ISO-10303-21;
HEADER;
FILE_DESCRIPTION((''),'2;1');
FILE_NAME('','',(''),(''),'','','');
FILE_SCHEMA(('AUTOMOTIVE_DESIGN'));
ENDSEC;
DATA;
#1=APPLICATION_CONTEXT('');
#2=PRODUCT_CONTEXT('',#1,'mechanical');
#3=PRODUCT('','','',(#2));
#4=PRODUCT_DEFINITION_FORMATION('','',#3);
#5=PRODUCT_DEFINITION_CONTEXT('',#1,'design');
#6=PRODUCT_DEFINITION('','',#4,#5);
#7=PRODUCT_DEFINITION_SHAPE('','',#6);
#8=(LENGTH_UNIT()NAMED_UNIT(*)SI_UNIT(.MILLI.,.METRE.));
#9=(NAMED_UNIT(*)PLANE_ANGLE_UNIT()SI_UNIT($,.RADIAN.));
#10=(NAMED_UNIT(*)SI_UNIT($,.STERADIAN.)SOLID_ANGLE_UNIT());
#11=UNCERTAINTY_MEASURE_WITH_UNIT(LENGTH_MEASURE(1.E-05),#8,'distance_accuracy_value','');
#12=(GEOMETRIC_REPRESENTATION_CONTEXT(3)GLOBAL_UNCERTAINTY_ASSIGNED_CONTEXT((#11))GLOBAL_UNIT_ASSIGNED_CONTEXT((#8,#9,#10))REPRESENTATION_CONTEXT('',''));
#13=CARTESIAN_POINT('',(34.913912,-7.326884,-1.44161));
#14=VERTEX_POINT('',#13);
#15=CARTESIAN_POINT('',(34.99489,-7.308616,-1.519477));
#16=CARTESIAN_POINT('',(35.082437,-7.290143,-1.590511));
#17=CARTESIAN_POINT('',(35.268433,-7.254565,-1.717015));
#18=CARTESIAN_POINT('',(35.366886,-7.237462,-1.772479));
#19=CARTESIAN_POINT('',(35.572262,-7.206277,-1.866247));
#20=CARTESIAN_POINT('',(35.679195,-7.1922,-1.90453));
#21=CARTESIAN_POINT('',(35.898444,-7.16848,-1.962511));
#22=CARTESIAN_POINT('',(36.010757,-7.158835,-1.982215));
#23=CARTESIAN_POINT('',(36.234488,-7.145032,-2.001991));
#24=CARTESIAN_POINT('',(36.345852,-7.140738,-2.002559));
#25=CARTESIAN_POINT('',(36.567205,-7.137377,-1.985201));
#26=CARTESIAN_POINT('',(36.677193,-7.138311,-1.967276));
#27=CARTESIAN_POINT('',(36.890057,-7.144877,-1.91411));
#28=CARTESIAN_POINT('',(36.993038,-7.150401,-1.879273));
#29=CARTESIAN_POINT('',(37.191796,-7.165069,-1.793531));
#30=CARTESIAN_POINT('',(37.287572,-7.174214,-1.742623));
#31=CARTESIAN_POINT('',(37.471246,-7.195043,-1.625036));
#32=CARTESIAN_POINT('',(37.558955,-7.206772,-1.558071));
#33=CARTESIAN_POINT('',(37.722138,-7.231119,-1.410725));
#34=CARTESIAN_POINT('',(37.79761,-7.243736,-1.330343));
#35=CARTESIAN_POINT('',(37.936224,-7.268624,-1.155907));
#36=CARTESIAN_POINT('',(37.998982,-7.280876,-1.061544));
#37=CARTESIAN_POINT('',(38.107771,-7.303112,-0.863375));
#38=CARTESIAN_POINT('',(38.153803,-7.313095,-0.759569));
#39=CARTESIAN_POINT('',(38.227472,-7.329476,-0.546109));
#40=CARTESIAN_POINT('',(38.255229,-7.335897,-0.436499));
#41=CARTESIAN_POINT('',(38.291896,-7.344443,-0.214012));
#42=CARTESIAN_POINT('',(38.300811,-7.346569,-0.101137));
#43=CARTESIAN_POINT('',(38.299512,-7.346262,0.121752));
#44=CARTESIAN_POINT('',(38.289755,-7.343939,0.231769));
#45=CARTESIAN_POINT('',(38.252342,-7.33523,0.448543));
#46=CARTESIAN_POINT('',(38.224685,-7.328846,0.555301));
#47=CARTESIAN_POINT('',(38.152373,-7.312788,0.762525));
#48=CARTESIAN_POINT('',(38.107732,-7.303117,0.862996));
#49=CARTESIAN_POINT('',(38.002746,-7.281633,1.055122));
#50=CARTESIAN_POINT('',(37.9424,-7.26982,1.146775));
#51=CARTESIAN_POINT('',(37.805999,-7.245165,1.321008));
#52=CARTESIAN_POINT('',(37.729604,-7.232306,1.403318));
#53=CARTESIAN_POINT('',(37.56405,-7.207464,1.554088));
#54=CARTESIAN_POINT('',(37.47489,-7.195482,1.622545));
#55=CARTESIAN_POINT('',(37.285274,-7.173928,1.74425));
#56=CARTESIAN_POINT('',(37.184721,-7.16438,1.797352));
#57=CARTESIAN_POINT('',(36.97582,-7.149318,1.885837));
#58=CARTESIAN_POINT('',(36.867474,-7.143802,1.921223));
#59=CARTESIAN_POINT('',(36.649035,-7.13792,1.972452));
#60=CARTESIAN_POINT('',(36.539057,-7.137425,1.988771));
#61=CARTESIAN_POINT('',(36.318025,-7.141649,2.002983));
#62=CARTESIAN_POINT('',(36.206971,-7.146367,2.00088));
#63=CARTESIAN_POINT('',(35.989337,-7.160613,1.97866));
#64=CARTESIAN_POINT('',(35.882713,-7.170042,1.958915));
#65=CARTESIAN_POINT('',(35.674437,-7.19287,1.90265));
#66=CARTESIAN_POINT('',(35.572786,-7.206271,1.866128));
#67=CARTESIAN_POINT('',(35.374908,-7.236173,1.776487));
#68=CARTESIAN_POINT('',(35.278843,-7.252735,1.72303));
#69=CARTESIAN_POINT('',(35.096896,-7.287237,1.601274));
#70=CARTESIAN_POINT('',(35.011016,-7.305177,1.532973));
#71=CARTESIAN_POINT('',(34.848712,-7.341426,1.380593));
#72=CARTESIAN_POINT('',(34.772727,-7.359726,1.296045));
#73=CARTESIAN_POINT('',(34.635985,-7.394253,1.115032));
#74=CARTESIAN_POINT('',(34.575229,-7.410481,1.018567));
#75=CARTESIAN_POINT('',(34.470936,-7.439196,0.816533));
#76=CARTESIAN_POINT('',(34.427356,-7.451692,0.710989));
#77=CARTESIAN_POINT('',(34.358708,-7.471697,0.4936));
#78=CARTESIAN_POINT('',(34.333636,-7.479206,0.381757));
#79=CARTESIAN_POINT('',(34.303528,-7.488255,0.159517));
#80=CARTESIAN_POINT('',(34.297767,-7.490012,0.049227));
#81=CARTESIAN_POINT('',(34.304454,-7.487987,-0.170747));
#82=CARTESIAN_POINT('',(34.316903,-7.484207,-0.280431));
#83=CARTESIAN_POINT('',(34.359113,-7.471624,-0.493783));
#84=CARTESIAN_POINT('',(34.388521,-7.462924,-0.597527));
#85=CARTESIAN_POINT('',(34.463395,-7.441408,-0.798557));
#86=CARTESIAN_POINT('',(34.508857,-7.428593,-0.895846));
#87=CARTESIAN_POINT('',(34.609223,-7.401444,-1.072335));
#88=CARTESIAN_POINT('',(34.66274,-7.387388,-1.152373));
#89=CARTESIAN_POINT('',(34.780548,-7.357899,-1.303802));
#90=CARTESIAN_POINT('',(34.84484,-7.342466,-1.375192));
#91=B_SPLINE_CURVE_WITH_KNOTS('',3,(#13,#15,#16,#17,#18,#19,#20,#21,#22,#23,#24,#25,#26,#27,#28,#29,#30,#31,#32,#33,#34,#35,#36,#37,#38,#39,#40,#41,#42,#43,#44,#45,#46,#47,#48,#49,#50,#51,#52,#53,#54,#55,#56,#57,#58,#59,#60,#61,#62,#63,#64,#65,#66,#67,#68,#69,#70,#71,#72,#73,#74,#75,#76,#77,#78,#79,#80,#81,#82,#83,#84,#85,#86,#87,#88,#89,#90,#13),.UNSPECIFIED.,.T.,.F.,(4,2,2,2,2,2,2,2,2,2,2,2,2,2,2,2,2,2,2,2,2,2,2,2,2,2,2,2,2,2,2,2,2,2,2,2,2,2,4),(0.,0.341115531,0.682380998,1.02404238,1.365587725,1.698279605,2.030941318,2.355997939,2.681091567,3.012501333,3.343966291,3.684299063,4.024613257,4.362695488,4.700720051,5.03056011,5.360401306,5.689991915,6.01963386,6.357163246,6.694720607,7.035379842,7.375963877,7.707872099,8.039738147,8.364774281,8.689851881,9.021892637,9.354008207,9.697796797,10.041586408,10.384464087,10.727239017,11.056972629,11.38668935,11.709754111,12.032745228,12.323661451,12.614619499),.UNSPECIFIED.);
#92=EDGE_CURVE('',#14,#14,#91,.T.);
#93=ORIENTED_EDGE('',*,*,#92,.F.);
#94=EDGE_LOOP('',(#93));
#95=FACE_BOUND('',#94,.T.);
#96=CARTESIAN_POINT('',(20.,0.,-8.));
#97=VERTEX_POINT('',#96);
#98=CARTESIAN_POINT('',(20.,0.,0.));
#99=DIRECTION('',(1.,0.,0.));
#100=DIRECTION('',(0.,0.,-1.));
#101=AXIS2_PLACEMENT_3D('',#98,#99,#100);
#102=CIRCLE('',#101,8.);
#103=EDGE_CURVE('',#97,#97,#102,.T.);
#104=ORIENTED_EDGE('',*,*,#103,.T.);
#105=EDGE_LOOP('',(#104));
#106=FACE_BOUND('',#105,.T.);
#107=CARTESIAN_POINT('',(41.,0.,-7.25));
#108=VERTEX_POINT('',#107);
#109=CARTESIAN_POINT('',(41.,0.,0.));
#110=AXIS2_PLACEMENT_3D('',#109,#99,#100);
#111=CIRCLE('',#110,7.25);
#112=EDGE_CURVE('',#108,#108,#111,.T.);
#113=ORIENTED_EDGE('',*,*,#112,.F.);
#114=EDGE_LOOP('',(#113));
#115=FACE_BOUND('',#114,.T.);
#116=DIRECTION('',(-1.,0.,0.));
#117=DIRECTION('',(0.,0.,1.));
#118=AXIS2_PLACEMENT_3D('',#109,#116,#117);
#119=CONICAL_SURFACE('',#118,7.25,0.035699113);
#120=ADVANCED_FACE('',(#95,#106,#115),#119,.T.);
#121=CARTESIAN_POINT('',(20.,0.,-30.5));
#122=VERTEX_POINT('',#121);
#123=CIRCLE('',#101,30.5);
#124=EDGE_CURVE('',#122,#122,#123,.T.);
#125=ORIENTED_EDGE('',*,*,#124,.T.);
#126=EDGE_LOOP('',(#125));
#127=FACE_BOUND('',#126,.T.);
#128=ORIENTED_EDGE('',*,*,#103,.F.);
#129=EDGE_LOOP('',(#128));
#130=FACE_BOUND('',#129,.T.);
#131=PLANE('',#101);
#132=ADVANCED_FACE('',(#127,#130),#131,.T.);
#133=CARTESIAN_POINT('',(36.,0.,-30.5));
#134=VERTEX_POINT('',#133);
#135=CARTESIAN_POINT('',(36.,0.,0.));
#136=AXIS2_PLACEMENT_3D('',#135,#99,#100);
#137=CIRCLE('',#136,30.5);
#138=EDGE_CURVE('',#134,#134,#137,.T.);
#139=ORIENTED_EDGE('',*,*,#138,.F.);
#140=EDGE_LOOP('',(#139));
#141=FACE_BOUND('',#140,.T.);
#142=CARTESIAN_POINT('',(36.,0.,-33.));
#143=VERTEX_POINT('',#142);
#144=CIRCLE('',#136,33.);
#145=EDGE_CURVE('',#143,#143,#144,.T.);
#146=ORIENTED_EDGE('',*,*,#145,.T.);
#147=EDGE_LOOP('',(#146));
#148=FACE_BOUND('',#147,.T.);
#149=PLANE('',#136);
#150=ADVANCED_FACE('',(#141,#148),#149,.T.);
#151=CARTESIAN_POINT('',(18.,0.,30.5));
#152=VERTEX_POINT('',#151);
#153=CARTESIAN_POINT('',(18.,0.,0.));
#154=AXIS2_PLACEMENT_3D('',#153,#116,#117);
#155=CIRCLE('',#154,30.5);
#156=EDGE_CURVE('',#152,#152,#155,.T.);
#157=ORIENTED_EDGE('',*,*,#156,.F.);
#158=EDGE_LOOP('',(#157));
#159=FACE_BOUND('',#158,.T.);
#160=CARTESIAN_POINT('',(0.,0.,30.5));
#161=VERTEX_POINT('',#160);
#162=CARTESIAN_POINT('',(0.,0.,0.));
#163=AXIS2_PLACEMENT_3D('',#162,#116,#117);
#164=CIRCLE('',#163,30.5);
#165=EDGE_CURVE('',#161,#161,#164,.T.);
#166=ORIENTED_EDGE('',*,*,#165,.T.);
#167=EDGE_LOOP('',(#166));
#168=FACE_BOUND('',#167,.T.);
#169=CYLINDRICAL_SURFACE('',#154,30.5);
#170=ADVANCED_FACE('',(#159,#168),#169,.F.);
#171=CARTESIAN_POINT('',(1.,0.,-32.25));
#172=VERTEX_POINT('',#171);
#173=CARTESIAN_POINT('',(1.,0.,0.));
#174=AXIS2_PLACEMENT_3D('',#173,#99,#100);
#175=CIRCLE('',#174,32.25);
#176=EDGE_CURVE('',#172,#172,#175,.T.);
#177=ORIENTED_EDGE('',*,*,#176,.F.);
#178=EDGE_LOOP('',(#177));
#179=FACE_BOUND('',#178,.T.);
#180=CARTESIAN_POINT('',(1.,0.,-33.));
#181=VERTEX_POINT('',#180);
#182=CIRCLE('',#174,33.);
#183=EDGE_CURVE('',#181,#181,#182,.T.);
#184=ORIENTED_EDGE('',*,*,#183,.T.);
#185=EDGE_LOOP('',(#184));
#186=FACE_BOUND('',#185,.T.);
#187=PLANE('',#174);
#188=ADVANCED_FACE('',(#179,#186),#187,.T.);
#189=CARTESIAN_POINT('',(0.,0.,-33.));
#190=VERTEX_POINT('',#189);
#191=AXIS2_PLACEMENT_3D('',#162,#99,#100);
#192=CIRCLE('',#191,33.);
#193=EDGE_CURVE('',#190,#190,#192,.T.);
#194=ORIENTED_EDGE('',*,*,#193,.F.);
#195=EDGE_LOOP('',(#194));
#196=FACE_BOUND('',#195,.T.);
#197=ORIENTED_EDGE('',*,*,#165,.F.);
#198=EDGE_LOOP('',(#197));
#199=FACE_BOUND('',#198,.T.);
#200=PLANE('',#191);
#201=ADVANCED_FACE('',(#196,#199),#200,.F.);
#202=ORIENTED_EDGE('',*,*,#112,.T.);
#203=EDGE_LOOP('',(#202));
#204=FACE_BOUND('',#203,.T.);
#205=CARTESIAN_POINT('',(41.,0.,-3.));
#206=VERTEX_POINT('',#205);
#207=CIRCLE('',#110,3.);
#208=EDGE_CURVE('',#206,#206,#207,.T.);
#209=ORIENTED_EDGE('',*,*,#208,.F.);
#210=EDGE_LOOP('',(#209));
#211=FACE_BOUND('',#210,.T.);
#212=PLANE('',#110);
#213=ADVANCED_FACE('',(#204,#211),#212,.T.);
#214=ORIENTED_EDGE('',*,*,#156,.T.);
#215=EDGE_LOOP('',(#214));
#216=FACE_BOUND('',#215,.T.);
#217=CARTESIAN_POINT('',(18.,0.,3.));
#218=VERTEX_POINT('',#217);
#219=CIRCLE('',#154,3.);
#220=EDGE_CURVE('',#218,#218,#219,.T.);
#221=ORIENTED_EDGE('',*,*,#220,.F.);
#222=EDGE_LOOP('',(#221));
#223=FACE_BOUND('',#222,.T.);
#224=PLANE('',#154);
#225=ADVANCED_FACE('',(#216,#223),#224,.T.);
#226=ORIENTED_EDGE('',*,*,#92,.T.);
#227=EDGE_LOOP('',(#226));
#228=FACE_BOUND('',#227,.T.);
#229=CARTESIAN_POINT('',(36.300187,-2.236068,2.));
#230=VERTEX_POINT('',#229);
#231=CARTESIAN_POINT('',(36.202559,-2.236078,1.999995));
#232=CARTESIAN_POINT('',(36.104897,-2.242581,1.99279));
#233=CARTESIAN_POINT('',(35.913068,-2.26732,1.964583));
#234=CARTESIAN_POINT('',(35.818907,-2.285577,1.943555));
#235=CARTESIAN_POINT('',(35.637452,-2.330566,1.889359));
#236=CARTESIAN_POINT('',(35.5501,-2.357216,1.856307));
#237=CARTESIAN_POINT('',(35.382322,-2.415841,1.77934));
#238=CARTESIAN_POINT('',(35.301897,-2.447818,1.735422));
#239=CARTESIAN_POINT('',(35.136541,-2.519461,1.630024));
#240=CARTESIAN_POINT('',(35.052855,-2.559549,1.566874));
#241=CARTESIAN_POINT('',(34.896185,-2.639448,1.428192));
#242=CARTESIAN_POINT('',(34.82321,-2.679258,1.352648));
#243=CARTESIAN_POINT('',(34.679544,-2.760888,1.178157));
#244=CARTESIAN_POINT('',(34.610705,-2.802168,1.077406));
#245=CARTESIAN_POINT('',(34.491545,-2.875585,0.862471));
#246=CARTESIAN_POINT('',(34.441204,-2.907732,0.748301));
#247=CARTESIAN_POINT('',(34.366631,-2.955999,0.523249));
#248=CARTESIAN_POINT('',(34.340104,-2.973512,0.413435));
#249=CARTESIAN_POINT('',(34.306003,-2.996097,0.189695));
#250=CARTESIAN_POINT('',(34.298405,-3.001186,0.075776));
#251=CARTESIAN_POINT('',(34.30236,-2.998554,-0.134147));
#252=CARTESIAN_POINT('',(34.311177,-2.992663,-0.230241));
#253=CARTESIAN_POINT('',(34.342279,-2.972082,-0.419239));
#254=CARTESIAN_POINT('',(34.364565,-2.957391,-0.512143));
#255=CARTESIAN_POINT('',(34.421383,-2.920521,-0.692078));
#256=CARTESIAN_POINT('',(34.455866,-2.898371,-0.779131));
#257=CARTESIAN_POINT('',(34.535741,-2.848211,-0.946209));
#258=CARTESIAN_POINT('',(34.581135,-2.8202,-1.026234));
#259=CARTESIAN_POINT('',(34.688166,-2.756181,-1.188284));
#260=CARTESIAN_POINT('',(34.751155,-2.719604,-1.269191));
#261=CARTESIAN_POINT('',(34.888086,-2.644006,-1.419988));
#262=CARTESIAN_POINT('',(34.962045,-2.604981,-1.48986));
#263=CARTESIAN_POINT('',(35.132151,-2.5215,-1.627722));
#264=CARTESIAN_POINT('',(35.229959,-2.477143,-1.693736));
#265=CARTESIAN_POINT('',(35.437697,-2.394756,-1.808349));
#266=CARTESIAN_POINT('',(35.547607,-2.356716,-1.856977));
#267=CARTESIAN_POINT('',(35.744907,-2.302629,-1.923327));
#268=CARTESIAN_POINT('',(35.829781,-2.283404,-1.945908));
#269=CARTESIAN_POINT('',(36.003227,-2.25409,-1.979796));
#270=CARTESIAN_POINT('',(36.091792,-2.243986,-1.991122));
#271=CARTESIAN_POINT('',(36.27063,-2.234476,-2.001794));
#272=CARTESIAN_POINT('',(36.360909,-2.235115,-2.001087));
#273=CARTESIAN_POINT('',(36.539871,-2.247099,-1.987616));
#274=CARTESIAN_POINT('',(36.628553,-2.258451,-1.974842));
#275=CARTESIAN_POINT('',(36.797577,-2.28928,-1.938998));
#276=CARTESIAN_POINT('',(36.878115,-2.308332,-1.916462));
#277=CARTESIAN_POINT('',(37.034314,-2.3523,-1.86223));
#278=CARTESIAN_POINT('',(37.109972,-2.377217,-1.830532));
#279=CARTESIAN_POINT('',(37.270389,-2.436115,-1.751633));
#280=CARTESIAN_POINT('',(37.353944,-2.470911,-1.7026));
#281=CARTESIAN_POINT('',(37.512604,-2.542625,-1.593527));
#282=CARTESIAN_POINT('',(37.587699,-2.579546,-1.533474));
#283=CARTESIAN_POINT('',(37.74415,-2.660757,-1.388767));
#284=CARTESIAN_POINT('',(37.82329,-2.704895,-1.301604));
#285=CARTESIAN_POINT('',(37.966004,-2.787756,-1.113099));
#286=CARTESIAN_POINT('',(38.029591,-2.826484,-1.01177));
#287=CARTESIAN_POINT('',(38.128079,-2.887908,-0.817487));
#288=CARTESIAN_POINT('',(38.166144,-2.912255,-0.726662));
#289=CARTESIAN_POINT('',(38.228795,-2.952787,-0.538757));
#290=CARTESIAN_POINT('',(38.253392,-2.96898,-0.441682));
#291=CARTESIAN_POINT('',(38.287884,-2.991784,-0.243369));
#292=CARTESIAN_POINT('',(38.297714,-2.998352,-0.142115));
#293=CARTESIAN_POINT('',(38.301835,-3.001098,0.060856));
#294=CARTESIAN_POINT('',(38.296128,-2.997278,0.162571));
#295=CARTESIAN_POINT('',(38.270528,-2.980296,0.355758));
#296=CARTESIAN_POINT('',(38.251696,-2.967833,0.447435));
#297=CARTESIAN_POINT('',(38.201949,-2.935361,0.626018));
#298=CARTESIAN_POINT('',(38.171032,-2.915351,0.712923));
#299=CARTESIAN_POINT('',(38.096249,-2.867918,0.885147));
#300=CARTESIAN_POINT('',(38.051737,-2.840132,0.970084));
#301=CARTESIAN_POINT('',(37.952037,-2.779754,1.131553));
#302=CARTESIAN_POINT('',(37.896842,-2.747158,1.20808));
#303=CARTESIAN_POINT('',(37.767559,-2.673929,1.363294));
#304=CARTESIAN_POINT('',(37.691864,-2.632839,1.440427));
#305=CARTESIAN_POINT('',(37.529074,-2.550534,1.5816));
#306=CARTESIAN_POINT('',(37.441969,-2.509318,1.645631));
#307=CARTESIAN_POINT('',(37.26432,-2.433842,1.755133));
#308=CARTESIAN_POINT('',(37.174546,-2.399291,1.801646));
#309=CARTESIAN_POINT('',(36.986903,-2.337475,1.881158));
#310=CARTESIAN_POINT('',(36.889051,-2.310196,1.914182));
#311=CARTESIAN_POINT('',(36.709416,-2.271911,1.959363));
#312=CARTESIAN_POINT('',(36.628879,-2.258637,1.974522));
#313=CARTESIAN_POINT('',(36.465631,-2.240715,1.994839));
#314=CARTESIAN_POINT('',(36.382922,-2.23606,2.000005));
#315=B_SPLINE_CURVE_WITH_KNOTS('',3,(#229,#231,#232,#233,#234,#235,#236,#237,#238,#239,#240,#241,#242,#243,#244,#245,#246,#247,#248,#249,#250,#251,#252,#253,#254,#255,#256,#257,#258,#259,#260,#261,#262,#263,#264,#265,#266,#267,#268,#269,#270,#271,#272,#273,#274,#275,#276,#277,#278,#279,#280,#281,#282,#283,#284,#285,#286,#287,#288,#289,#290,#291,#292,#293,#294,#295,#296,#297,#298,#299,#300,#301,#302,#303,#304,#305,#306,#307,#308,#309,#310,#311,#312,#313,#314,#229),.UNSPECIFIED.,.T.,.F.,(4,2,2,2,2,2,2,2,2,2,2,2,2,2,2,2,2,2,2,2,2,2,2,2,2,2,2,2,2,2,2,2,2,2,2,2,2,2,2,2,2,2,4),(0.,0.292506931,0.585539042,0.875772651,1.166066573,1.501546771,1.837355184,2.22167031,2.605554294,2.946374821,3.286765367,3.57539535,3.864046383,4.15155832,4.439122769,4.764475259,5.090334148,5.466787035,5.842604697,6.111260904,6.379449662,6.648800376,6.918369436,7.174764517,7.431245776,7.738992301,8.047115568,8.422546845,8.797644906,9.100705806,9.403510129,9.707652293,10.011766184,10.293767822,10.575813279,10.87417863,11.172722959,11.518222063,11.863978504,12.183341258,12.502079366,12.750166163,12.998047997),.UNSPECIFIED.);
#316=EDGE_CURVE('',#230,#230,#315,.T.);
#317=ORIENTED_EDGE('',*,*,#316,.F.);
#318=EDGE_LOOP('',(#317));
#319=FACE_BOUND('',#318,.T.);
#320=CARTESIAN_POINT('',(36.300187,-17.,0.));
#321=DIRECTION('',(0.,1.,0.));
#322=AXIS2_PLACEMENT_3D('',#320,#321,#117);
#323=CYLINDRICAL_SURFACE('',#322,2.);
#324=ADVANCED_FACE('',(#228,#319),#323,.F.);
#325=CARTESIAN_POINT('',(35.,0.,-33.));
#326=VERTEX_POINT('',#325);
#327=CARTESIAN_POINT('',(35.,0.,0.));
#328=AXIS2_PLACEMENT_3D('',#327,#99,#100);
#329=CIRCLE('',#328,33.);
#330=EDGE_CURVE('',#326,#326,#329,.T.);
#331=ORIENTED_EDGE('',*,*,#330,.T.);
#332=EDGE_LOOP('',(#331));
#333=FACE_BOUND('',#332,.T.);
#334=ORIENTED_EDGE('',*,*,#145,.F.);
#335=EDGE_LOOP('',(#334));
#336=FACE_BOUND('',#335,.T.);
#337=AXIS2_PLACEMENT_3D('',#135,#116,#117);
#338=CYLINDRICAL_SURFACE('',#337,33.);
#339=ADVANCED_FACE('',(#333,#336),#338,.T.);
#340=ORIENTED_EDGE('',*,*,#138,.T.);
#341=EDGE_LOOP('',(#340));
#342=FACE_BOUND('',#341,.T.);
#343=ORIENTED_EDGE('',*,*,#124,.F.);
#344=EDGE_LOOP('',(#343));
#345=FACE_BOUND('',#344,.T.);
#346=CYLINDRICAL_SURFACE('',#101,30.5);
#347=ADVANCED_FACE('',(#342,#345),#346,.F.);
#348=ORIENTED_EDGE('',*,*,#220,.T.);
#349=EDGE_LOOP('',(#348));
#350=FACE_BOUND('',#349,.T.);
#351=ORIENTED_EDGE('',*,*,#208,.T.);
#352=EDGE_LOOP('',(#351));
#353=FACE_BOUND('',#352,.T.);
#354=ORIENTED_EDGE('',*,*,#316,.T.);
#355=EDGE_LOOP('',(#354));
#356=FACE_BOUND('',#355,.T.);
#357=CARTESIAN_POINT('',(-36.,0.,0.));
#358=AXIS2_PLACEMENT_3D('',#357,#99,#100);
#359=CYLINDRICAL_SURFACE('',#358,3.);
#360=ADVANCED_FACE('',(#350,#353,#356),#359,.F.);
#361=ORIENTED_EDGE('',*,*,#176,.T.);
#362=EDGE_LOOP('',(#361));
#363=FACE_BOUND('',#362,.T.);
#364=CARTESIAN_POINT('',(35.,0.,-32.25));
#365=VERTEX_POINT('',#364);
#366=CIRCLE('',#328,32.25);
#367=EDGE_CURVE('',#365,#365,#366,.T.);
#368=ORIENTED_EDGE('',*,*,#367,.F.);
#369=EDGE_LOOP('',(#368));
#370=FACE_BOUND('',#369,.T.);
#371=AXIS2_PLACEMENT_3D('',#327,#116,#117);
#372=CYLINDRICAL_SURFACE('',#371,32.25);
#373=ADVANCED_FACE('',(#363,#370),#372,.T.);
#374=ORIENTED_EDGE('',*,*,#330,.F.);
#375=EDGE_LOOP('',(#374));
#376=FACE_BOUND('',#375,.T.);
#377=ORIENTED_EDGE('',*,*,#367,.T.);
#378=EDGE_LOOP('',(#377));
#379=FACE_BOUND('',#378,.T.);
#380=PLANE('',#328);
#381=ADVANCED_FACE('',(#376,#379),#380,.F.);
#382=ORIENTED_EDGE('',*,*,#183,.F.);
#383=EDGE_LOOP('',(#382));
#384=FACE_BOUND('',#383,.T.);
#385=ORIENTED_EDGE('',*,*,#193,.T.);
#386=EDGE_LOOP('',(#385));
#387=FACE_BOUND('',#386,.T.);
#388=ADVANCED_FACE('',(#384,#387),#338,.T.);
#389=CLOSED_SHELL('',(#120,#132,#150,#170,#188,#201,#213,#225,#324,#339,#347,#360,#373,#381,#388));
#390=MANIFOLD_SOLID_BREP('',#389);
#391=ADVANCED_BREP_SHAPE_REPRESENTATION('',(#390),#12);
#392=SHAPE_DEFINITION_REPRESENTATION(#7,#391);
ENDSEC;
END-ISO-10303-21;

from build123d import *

# Parameters (mm, degrees)
SKETCH1_R               = 33
BOSS_EXTRUDE1_DEPTH     = 36
SKETCH2_R               = 30.5
SKETCH2_R_2             = 8
SKETCH2_R_3             = 3
CUT_EXTRUDE2_DEPTH      = 16
SKETCH6_R               = 7.25
SKETCH5_R               = 8
SKETCH7_R               = 30.5
CUT_EXTRUDE3_DEPTH      = 18
SKETCH8_R               = 3
CUT_EXTRUDE4_DEPTH      = 77
SKETCH9_R               = 42.905856896
SKETCH9_R_2             = 32.25
CUT_EXTRUDE5_DEPTH      = 17
CUT_EXTRUDE5_DEPTH_BACK = 17
SKETCH10_R              = 2
CUT_EXTRUDE6_DEPTH      = 17


with BuildPart() as part:
    # Sketch1 → Boss-Extrude1 (new body)
    with BuildSketch(Plane(origin=(0, 0, 0), x_dir=(0, 0, -1), z_dir=(1, 0, 0))):
        Circle(SKETCH1_R)
    extrude(amount=BOSS_EXTRUDE1_DEPTH)

    # Sketch2 → Cut-Extrude2 (cut)
    with BuildSketch(Plane(origin=(36, 0, 0), x_dir=(0, 0, -1), z_dir=(1, 0, 0))):
        Circle(SKETCH2_R)
        Circle(SKETCH2_R_2, mode=Mode.SUBTRACT)
        Circle(SKETCH2_R_2)
        Circle(SKETCH2_R_3, mode=Mode.SUBTRACT)
        Circle(SKETCH2_R_3)
    extrude(amount=-CUT_EXTRUDE2_DEPTH, mode=Mode.SUBTRACT)

    # Sketch6 → Loft2 section 0
    with BuildSketch(Plane(origin=(41, 0, 0), x_dir=(0, 0, -1), z_dir=(1, 0, 0))):
        Circle(SKETCH6_R)
    # Sketch5 → Loft2 section 1
    with BuildSketch(Plane(origin=(20, 0, 0), x_dir=(0, 0, -1), z_dir=(1, 0, 0))):
        Circle(SKETCH5_R)
    loft()

    # Sketch7 → Cut-Extrude3 (cut)
    with BuildSketch(Plane.ZY):
        with Locations(Location((0, 0, 0), (0, 0, 180))):
            Circle(SKETCH7_R)
    extrude(amount=-CUT_EXTRUDE3_DEPTH, mode=Mode.SUBTRACT)

    # Sketch8 → Cut-Extrude4 (cut)
    with BuildSketch(Plane(origin=(41, 0, 0), x_dir=(0, 0, -1), z_dir=(1, 0, 0))):
        Circle(SKETCH8_R)
    extrude(amount=-CUT_EXTRUDE4_DEPTH, mode=Mode.SUBTRACT)

    # Sketch9 → Cut-Extrude5 (cut, two sides)
    with BuildSketch(Plane(origin=(18, 0, 0), x_dir=(0, 0, -1), z_dir=(1, 0, 0))) as cut_extrude5_sk:
        Circle(SKETCH9_R)
        Circle(SKETCH9_R_2, mode=Mode.SUBTRACT)
    extrude(amount=CUT_EXTRUDE5_DEPTH, mode=Mode.SUBTRACT)
    extrude(cut_extrude5_sk.sketch, amount=-CUT_EXTRUDE5_DEPTH_BACK, mode=Mode.SUBTRACT)

    # Sketch10 → Cut-Extrude6 (cut)
    with BuildSketch(Plane(origin=(0, 0, 0), x_dir=(1, 0, 0), z_dir=(0, 1, 0))):
        with Locations(Location((36.300187477, 0, 0), (0, 0, 270))):
            Circle(SKETCH10_R)
    extrude(amount=-CUT_EXTRUDE6_DEPTH, mode=Mode.SUBTRACT)


solid = part.part
